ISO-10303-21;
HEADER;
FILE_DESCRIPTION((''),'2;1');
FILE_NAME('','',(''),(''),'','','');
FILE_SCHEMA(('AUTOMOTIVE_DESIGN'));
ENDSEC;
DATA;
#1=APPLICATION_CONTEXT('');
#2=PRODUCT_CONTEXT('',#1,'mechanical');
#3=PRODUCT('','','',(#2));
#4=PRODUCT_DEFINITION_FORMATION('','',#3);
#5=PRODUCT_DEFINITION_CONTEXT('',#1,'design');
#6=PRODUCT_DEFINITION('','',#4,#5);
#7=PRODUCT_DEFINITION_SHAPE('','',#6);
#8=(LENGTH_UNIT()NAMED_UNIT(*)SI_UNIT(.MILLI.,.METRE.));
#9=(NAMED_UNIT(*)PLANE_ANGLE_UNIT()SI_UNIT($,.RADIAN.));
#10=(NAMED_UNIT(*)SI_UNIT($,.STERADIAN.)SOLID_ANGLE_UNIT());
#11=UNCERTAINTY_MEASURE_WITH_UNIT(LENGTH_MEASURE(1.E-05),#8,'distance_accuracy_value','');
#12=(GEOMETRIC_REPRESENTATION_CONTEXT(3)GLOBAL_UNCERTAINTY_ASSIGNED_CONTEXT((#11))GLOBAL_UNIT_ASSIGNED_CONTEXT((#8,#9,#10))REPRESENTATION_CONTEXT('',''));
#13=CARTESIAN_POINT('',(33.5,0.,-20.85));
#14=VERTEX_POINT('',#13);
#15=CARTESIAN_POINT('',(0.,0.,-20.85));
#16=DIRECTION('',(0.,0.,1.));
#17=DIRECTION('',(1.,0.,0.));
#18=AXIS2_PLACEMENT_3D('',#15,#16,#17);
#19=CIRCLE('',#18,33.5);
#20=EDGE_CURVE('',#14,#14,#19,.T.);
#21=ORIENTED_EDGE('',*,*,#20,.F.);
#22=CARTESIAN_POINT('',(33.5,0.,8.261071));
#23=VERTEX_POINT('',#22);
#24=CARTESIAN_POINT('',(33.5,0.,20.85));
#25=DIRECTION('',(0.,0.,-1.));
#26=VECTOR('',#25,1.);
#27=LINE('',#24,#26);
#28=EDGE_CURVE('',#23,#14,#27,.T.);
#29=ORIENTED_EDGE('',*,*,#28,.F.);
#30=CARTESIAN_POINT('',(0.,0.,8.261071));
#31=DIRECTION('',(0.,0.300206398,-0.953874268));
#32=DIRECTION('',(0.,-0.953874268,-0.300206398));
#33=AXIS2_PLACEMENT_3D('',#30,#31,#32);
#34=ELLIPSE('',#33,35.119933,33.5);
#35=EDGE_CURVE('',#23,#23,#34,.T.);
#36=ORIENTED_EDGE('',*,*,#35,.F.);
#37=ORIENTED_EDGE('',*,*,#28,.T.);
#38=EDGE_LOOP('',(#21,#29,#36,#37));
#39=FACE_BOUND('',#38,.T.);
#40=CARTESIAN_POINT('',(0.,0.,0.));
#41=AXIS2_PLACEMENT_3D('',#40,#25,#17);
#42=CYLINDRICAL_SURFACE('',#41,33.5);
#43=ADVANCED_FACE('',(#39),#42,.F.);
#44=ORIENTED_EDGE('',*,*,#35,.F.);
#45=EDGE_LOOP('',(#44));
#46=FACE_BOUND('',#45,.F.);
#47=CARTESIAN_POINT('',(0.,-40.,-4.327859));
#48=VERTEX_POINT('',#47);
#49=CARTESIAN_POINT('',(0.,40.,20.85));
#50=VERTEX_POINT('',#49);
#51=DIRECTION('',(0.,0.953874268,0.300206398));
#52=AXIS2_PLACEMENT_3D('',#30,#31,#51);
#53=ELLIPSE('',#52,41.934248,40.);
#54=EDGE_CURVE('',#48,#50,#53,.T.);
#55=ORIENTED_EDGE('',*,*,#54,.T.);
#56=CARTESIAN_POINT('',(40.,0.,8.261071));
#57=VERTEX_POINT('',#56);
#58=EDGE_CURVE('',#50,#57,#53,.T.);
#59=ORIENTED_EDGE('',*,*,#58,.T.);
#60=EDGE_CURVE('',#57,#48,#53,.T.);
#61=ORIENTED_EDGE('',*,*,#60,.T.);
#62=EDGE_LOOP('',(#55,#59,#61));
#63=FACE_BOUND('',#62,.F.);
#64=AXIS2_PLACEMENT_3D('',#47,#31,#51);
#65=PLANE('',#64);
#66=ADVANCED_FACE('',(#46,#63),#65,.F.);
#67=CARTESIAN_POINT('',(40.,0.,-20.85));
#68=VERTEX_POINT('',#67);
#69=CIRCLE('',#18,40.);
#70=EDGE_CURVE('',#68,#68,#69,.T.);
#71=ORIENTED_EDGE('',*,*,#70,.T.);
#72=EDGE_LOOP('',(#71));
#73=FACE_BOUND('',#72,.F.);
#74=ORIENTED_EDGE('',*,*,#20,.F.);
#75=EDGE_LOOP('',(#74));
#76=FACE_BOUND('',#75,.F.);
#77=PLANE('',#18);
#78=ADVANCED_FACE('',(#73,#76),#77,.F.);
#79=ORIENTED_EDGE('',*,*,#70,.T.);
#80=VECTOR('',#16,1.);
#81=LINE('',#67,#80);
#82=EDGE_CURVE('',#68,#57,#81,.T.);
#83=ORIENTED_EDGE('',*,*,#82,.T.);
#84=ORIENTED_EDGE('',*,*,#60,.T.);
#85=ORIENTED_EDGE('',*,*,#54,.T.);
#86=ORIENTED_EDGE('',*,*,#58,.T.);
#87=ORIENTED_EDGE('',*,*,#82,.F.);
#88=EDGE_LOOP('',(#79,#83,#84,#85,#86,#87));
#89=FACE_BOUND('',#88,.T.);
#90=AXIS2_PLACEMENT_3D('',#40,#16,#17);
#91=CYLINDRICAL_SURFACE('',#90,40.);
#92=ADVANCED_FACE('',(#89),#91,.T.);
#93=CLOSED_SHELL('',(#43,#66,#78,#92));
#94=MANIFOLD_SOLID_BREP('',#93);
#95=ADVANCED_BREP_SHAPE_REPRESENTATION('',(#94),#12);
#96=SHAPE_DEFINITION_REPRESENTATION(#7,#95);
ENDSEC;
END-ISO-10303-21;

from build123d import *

# Parameters (mm, degrees)
F0_R     = 40
F0_R_2   = 33.5
F1_DEPTH = 20.85
F3_DEPTH = 45


with BuildPart() as f1:
    # F0 (on Top) → F1 (new body, symmetric)
    with BuildSketch(Plane.XY):
        Circle(F0_R)
        Circle(F0_R_2, mode=Mode.SUBTRACT)
    extrude(amount=F1_DEPTH, both=True)

    # F2 (on Right) → F3 (cut, symmetric)
    with BuildSketch(Plane.YZ):
        Polygon((-40, -4.327859), (40, 20.85), (-40, 20.85), align=None)
    extrude(amount=F3_DEPTH, both=True, mode=Mode.SUBTRACT)


solid = f1.part
